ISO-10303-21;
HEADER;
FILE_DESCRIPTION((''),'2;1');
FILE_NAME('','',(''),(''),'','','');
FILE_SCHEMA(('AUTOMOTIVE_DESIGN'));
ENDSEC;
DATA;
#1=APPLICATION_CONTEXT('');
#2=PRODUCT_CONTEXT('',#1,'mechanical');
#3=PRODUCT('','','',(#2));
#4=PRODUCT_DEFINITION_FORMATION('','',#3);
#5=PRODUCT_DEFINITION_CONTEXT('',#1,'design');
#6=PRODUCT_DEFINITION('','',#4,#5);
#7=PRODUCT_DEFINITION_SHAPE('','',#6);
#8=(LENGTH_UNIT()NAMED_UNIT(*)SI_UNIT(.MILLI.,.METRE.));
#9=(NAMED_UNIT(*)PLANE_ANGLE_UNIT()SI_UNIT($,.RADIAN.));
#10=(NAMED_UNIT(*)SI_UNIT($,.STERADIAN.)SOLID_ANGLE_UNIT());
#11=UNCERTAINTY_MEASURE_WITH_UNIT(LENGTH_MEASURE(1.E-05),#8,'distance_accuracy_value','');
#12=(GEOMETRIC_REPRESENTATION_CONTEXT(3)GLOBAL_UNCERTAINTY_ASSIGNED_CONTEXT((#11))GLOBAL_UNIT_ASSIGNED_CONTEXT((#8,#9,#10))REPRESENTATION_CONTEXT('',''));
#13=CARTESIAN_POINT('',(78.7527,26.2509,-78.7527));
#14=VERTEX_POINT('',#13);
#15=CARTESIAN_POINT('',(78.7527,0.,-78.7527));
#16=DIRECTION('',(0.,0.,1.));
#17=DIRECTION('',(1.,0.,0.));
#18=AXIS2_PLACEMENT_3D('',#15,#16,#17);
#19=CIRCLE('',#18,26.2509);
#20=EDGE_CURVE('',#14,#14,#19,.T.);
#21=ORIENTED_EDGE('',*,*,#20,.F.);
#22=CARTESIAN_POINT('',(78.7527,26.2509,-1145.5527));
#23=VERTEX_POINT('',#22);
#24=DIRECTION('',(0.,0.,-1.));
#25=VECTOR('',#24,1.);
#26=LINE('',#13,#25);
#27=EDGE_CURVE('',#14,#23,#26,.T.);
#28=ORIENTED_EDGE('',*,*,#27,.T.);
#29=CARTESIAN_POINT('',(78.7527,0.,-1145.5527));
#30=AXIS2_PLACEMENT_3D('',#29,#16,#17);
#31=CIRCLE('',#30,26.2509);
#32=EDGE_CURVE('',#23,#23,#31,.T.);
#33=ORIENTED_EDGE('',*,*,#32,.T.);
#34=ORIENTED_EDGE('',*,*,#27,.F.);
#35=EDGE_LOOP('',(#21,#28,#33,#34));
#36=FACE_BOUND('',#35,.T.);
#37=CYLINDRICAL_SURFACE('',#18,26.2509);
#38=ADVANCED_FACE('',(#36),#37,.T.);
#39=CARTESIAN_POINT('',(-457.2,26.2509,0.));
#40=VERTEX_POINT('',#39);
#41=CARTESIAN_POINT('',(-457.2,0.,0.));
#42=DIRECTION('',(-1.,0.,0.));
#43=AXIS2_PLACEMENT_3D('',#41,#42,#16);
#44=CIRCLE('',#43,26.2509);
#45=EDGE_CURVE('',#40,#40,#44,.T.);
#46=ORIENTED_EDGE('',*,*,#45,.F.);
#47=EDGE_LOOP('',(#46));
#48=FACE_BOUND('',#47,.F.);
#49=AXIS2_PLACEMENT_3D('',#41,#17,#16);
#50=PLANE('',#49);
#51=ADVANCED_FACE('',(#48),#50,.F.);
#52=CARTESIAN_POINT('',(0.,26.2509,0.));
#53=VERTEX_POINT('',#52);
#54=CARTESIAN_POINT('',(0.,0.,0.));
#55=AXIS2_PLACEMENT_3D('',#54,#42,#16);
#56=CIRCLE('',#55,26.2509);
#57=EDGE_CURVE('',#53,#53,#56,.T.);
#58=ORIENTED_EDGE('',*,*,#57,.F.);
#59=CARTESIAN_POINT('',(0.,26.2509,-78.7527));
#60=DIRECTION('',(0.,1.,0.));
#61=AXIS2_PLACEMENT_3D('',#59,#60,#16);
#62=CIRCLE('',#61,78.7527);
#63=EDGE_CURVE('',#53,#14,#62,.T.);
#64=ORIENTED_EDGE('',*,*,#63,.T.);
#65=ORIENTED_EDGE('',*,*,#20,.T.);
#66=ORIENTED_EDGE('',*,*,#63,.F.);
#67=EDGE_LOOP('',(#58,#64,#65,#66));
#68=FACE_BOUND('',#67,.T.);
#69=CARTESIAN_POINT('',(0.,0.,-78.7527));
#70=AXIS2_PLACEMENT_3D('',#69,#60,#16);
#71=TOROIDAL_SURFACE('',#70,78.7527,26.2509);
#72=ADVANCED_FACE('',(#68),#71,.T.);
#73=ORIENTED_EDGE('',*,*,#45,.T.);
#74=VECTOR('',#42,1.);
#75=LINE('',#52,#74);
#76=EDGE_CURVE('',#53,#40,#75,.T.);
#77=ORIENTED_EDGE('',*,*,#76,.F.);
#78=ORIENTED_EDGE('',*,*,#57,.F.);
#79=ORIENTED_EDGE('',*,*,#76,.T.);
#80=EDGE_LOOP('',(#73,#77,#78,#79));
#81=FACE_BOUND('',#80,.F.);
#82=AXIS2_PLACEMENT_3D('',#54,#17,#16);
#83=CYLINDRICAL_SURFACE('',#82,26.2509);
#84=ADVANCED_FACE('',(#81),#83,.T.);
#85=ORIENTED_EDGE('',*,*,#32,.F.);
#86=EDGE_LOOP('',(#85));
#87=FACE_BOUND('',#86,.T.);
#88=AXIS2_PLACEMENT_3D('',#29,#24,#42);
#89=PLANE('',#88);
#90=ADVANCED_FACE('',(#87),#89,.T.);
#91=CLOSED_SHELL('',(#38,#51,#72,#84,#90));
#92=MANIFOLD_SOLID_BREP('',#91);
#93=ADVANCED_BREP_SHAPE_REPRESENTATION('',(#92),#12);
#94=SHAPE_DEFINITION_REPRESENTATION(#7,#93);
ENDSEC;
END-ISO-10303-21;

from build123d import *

# Parameters (mm, degrees)
F0_R     = 26.2509
F3_DEPTH = 1066.8
F4_DEPTH = 457.2


with BuildPart() as f2:
    # F2: sweep along a path in F1
    with BuildLine(Plane.XZ) as f2_path:
        ThreePointArc((0, 0), (55.6865682067, -23.0661317933), (78.7527, -78.7527))
    # F0 (on Right) → F2 (sweep)
    with BuildSketch(Plane.YZ):
        Circle(F0_R)
    sweep(path=f2_path.line)

    # F3 (add): a face of the model
    f3_faces = [f2.faces().sort_by_distance(p)[0] for p in [
        (78.7527, 0, -78.7527),
    ]]
    extrude(f3_faces, amount=F3_DEPTH)

    # F4 (add): a face of the model
    f4_faces = [f2.faces().sort_by_distance(p)[0] for p in [
        (0, 0, 0),
    ]]
    extrude(f4_faces, amount=F4_DEPTH)


solid = f2.part
